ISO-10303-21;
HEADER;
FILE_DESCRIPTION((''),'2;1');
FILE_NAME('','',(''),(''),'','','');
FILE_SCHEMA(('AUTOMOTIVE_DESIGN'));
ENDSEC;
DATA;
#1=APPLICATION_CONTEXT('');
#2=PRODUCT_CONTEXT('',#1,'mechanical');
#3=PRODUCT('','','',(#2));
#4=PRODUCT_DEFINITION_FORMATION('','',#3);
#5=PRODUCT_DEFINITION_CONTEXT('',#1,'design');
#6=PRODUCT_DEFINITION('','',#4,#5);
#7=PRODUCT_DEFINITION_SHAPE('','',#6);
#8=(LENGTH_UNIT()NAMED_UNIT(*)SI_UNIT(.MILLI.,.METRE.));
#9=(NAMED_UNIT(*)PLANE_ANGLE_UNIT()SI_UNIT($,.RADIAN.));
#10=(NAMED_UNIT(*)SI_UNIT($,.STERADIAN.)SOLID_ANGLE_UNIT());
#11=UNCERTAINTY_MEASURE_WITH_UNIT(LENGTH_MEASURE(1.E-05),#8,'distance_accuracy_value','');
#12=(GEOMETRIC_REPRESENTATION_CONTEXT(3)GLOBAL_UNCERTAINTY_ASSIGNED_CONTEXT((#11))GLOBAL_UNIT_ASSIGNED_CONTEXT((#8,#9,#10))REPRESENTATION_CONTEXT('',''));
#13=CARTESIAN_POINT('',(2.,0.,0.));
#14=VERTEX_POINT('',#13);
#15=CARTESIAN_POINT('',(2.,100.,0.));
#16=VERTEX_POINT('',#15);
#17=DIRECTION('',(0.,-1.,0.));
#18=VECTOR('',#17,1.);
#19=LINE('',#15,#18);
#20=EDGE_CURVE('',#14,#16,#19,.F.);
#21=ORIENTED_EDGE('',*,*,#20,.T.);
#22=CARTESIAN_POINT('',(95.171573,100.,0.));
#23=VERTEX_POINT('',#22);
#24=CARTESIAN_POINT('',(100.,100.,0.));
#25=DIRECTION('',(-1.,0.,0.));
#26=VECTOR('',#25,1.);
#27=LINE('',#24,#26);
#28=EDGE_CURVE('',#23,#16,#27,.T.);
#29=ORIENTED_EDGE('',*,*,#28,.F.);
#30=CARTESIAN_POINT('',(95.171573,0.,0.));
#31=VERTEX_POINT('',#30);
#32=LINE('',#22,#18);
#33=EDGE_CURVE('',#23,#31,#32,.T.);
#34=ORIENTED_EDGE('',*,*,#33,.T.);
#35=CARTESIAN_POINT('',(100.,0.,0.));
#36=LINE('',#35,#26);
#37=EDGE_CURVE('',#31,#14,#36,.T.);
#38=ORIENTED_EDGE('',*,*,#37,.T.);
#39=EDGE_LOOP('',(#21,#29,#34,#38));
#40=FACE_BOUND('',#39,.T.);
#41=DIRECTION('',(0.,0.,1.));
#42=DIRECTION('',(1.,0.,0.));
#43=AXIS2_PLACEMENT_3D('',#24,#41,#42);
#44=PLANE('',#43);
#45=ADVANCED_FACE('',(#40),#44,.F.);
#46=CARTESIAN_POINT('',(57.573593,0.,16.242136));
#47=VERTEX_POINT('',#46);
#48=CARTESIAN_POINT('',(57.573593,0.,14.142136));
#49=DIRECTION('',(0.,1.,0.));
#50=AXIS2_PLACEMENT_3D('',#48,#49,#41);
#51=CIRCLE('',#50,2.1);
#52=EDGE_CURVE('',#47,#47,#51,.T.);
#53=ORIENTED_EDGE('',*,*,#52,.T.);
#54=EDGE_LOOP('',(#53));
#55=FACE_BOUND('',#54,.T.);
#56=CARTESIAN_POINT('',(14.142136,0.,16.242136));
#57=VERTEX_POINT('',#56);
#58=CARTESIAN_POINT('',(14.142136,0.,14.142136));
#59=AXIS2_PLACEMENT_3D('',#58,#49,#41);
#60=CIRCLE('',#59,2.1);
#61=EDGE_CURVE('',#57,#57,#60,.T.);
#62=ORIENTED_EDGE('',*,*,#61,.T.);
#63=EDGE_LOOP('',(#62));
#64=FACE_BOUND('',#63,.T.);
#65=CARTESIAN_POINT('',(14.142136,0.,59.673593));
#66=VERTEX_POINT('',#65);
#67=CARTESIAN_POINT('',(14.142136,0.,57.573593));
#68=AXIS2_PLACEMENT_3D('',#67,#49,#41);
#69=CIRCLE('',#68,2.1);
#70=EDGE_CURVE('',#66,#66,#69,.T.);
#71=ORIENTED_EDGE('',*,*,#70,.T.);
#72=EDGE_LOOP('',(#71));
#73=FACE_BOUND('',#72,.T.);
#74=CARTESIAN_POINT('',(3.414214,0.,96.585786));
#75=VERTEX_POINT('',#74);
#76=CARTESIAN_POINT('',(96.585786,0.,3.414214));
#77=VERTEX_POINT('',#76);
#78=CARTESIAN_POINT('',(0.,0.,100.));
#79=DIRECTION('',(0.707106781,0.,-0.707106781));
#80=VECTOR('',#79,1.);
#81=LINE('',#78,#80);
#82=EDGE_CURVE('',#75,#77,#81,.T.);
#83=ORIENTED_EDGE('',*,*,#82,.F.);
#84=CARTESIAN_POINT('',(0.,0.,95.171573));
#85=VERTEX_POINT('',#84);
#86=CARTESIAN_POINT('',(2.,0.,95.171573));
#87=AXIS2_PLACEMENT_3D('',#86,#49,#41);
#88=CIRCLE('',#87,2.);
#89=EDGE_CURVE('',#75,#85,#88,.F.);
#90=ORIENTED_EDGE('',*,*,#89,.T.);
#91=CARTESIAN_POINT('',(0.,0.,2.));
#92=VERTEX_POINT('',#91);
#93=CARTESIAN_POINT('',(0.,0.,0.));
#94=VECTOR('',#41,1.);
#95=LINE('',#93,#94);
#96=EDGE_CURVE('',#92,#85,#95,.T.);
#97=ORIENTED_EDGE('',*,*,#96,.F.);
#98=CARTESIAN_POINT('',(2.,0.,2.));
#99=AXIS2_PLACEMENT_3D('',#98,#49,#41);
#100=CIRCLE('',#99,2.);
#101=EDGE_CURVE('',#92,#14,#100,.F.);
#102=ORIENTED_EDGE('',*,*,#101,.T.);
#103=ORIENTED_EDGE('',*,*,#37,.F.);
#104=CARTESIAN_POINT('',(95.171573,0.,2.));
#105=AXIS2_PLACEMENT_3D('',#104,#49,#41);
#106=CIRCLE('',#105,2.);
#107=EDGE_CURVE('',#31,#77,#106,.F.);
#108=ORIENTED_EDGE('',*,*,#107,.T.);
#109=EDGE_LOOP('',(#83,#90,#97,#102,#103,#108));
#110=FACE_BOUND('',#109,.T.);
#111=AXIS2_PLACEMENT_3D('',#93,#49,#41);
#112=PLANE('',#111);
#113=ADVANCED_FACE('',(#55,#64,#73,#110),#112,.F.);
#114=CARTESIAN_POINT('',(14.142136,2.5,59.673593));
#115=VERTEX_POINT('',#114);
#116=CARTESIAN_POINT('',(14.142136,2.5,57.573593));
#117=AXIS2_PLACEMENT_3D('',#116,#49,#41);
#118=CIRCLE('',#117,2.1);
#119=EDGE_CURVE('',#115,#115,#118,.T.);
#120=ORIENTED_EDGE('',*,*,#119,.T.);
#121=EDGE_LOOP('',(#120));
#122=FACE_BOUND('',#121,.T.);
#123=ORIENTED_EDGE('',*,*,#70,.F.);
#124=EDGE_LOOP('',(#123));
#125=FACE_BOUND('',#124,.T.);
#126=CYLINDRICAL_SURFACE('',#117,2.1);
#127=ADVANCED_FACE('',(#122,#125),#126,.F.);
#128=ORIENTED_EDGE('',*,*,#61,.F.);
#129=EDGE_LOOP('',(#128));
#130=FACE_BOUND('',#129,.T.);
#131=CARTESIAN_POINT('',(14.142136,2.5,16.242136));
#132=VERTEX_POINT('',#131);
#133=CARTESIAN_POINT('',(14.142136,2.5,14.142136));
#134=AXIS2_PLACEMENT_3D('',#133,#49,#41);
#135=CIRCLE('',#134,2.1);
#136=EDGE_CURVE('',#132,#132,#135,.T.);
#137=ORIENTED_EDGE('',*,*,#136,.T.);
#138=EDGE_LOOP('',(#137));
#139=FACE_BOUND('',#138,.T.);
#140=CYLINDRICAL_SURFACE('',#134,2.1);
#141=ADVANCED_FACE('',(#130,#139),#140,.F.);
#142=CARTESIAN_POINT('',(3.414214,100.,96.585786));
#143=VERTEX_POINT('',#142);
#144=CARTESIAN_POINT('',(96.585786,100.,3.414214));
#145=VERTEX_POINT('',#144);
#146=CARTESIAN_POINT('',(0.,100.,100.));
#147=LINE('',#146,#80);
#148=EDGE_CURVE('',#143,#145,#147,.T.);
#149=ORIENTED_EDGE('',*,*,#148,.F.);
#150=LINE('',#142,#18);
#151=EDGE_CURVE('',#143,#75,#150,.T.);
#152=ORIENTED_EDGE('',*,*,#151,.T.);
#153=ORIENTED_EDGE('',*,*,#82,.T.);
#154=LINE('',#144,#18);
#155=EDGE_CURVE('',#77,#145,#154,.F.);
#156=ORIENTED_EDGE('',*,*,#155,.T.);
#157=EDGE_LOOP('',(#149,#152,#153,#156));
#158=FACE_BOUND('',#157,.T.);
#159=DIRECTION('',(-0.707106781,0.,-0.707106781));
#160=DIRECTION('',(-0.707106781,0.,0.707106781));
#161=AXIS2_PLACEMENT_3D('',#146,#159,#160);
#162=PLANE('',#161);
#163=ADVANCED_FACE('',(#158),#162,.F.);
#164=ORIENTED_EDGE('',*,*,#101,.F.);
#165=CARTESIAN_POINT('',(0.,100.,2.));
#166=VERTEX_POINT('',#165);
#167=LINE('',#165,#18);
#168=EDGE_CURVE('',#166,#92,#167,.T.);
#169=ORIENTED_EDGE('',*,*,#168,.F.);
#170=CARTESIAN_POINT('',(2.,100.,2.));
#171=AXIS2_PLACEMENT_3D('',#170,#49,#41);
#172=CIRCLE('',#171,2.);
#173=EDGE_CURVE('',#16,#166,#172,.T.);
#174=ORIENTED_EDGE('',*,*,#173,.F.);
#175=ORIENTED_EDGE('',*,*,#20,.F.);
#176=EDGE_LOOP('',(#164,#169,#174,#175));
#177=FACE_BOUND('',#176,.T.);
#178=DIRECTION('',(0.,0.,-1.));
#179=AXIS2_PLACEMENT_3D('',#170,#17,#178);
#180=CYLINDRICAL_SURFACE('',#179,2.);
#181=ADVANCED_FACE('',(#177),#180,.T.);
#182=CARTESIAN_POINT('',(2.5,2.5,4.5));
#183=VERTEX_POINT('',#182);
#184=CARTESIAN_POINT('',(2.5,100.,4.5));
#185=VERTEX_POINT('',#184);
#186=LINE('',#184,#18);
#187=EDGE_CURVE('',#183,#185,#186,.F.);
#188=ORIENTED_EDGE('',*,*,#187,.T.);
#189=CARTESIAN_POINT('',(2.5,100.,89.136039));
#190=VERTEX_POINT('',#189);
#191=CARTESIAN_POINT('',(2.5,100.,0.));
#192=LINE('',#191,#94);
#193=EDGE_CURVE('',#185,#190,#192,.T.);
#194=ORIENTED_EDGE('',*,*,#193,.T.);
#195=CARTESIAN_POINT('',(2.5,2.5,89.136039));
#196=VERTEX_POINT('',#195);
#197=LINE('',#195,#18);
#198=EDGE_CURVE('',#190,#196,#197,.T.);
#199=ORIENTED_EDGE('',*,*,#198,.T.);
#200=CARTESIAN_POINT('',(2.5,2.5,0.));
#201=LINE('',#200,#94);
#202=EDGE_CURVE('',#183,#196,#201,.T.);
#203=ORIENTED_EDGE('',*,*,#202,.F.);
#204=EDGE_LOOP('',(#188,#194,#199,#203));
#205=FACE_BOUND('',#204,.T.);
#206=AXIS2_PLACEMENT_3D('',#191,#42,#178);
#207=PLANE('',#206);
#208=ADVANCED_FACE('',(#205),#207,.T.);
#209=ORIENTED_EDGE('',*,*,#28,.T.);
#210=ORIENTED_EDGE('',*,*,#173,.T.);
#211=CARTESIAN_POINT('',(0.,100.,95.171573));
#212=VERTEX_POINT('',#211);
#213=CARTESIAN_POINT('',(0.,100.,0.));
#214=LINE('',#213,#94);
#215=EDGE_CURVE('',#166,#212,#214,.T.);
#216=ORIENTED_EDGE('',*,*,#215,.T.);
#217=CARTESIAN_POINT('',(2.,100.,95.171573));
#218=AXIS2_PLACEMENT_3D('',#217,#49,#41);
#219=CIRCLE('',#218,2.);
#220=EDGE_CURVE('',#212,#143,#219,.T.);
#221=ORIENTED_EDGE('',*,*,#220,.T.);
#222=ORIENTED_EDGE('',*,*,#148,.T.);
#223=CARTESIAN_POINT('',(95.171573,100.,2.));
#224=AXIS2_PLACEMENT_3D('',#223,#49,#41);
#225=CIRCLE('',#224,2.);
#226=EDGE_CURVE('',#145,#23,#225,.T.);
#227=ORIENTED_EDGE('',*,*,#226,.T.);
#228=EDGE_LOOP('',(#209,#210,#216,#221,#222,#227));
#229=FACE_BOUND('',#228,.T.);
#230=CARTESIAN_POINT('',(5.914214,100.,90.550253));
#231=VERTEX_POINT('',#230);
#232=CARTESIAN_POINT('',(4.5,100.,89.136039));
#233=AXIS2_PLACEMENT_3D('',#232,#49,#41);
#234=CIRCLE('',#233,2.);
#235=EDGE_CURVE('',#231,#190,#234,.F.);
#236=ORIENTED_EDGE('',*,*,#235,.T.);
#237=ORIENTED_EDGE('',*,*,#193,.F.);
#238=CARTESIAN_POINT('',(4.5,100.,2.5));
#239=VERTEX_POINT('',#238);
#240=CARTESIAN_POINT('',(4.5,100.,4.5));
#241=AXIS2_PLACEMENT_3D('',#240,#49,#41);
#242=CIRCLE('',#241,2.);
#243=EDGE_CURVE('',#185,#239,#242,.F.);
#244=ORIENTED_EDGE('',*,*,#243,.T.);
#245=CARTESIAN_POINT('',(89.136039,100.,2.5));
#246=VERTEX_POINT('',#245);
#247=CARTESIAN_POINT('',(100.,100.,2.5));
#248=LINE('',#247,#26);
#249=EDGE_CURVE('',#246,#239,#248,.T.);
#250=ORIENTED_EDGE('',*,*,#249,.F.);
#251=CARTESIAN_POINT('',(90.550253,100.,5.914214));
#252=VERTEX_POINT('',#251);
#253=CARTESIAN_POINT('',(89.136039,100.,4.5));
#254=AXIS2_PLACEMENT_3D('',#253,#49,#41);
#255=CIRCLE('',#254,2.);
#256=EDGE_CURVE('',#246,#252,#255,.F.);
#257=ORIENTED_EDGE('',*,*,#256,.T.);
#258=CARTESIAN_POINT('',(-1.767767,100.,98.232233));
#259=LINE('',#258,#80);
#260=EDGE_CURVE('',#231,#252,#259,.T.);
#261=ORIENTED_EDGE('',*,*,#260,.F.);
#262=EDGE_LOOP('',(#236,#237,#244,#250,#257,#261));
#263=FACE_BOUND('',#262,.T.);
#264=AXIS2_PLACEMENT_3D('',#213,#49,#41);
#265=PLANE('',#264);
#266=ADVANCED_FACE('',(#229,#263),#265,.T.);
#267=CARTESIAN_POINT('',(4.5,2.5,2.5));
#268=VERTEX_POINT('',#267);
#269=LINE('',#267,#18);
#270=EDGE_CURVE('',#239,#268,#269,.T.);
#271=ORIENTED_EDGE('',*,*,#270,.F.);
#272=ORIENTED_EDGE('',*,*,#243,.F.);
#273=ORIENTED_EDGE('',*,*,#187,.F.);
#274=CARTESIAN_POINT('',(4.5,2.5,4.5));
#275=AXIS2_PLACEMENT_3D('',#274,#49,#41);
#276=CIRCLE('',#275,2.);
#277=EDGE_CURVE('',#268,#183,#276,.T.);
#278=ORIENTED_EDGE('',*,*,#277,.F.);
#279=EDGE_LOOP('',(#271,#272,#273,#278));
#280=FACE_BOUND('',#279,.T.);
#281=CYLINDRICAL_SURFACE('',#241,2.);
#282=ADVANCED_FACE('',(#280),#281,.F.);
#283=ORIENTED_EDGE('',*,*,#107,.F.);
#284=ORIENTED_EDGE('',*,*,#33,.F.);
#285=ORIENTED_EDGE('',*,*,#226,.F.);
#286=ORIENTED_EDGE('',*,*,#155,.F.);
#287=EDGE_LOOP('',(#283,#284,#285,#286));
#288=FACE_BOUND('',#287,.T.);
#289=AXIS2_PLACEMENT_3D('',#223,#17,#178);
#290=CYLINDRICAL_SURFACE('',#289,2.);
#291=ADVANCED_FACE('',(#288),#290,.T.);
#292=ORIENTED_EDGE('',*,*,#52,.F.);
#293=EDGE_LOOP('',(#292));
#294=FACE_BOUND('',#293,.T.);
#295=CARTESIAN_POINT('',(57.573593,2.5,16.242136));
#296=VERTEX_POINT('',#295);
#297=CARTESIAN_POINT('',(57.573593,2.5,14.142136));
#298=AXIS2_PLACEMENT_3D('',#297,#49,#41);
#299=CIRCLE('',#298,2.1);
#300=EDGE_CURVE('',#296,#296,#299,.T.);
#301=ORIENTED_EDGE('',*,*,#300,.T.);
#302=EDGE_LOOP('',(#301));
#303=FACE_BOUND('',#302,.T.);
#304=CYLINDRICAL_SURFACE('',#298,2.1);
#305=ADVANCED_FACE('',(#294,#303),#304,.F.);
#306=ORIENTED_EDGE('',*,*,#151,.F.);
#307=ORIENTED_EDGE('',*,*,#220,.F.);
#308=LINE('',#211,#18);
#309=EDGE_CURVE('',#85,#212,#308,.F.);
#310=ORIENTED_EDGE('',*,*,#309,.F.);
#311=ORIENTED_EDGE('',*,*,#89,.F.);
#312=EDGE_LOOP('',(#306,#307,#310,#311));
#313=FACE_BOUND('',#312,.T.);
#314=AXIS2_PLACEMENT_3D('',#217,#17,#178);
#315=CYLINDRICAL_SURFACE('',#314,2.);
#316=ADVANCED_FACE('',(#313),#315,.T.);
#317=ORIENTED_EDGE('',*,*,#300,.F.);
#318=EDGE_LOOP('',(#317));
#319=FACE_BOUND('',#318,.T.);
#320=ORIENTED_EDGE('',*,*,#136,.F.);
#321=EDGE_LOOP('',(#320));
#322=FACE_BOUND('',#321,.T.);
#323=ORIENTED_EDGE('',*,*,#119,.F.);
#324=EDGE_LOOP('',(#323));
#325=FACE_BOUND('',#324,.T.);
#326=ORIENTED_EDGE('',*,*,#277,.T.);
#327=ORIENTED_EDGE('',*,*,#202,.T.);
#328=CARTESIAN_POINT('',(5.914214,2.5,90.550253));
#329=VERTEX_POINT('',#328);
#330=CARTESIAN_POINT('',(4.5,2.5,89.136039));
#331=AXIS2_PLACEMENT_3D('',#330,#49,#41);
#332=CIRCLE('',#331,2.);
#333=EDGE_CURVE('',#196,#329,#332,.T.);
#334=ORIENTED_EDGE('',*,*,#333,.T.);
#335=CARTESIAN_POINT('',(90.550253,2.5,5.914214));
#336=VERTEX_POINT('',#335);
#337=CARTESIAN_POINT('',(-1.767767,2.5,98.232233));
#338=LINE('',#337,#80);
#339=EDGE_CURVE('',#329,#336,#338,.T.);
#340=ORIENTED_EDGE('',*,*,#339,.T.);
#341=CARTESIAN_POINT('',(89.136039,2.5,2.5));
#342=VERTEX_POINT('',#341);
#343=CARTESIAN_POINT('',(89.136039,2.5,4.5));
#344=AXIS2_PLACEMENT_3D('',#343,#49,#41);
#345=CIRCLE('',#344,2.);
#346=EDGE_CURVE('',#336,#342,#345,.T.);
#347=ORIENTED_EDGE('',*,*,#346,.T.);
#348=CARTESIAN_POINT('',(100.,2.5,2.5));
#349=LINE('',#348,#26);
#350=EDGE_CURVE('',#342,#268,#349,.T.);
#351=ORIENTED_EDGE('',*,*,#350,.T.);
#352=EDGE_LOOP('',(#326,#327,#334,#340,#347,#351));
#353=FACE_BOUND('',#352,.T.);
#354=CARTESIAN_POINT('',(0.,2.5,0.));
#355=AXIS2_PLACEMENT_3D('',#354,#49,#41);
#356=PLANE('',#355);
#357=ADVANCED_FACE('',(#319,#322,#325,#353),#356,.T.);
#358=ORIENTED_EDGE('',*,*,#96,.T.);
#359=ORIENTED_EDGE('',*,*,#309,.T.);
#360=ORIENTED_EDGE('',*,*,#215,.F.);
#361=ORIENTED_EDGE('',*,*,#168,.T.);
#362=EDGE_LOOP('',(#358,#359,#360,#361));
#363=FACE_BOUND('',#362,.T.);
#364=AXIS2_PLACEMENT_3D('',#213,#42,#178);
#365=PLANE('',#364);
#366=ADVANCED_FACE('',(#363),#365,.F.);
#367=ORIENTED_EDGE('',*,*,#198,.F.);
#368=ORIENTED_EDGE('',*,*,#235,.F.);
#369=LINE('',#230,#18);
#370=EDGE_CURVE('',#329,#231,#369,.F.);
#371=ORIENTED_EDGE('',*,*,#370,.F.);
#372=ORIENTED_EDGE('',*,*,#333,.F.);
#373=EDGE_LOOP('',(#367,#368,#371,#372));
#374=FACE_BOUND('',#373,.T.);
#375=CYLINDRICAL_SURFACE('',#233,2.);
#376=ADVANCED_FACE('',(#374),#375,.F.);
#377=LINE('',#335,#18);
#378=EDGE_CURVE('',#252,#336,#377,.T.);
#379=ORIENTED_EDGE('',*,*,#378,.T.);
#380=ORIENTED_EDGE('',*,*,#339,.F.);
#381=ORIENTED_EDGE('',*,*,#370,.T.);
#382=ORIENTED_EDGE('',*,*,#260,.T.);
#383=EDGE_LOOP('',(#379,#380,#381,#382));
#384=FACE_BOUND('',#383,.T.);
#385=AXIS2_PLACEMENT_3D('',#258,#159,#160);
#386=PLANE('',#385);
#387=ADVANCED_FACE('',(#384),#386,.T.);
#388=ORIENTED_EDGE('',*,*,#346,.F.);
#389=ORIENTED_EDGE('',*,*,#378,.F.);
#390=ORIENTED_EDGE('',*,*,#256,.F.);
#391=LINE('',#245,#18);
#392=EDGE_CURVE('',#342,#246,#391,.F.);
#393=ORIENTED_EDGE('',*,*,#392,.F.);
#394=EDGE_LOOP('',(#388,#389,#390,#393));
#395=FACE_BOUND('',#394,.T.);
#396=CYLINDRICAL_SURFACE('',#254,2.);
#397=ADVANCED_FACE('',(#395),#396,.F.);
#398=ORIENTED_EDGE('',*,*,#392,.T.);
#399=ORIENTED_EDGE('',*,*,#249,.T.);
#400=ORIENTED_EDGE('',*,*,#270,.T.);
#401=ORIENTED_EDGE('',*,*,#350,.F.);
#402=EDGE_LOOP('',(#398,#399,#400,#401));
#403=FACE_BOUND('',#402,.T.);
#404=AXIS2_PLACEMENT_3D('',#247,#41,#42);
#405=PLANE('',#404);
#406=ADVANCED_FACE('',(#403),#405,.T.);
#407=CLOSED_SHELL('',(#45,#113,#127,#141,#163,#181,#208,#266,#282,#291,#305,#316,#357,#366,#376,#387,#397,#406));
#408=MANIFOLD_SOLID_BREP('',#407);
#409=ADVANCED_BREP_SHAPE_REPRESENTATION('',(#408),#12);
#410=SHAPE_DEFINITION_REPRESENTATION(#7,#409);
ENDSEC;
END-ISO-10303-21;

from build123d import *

# Parameters (mm, degrees)
BOSS_EXTRUDE1_DEPTH         = 100
SHELL1_T                    = -2.5
TAP_DRILL_FOR_M5X0_8_TAP1_D = 4.2
FILLET1_R                   = 2


with BuildPart() as part:
    # Sketch1 → Boss-Extrude1 (new body)
    with BuildSketch(Plane(origin=(0, 0, 0), x_dir=(1, 0, 0), z_dir=(0, 1, 0))):
        Polygon((0, 0), (0, -100), (100, 0), align=None)
    extrude(amount=BOSS_EXTRUDE1_DEPTH)

    # Shell1
    shell1_openings = [part.faces().sort_by_distance(p)[0] for p in [
        (33.333333333, 100, 33.333333333),
    ]]
    offset(amount=SHELL1_T, openings=shell1_openings, kind=Kind.INTERSECTION)

    # Tap Drill for M5x0.8 Tap1 (through all)
    with Locations(Plane(origin=(14.142135624, 2.5, 14.142135624), x_dir=(0, 0, 1), z_dir=(0, 1, 0))):
        with Locations((0, 0), (43.431457505, 0), (0, 43.431457505)):
            Hole(TAP_DRILL_FOR_M5X0_8_TAP1_D / 2)

    # Fillet1
    fillet1_edges = [part.edges().sort_by_distance(p)[0] for p in [
        (93.964466094, 51.25, 2.5),
        (2.5, 51.25, 2.5),
        (2.5, 51.25, 93.964466094),
        (100, 50, 0),
        (0, 50, 100),
        (0, 50, 0),
    ]]
    fillet(fillet1_edges, radius=FILLET1_R)


solid = part.part
